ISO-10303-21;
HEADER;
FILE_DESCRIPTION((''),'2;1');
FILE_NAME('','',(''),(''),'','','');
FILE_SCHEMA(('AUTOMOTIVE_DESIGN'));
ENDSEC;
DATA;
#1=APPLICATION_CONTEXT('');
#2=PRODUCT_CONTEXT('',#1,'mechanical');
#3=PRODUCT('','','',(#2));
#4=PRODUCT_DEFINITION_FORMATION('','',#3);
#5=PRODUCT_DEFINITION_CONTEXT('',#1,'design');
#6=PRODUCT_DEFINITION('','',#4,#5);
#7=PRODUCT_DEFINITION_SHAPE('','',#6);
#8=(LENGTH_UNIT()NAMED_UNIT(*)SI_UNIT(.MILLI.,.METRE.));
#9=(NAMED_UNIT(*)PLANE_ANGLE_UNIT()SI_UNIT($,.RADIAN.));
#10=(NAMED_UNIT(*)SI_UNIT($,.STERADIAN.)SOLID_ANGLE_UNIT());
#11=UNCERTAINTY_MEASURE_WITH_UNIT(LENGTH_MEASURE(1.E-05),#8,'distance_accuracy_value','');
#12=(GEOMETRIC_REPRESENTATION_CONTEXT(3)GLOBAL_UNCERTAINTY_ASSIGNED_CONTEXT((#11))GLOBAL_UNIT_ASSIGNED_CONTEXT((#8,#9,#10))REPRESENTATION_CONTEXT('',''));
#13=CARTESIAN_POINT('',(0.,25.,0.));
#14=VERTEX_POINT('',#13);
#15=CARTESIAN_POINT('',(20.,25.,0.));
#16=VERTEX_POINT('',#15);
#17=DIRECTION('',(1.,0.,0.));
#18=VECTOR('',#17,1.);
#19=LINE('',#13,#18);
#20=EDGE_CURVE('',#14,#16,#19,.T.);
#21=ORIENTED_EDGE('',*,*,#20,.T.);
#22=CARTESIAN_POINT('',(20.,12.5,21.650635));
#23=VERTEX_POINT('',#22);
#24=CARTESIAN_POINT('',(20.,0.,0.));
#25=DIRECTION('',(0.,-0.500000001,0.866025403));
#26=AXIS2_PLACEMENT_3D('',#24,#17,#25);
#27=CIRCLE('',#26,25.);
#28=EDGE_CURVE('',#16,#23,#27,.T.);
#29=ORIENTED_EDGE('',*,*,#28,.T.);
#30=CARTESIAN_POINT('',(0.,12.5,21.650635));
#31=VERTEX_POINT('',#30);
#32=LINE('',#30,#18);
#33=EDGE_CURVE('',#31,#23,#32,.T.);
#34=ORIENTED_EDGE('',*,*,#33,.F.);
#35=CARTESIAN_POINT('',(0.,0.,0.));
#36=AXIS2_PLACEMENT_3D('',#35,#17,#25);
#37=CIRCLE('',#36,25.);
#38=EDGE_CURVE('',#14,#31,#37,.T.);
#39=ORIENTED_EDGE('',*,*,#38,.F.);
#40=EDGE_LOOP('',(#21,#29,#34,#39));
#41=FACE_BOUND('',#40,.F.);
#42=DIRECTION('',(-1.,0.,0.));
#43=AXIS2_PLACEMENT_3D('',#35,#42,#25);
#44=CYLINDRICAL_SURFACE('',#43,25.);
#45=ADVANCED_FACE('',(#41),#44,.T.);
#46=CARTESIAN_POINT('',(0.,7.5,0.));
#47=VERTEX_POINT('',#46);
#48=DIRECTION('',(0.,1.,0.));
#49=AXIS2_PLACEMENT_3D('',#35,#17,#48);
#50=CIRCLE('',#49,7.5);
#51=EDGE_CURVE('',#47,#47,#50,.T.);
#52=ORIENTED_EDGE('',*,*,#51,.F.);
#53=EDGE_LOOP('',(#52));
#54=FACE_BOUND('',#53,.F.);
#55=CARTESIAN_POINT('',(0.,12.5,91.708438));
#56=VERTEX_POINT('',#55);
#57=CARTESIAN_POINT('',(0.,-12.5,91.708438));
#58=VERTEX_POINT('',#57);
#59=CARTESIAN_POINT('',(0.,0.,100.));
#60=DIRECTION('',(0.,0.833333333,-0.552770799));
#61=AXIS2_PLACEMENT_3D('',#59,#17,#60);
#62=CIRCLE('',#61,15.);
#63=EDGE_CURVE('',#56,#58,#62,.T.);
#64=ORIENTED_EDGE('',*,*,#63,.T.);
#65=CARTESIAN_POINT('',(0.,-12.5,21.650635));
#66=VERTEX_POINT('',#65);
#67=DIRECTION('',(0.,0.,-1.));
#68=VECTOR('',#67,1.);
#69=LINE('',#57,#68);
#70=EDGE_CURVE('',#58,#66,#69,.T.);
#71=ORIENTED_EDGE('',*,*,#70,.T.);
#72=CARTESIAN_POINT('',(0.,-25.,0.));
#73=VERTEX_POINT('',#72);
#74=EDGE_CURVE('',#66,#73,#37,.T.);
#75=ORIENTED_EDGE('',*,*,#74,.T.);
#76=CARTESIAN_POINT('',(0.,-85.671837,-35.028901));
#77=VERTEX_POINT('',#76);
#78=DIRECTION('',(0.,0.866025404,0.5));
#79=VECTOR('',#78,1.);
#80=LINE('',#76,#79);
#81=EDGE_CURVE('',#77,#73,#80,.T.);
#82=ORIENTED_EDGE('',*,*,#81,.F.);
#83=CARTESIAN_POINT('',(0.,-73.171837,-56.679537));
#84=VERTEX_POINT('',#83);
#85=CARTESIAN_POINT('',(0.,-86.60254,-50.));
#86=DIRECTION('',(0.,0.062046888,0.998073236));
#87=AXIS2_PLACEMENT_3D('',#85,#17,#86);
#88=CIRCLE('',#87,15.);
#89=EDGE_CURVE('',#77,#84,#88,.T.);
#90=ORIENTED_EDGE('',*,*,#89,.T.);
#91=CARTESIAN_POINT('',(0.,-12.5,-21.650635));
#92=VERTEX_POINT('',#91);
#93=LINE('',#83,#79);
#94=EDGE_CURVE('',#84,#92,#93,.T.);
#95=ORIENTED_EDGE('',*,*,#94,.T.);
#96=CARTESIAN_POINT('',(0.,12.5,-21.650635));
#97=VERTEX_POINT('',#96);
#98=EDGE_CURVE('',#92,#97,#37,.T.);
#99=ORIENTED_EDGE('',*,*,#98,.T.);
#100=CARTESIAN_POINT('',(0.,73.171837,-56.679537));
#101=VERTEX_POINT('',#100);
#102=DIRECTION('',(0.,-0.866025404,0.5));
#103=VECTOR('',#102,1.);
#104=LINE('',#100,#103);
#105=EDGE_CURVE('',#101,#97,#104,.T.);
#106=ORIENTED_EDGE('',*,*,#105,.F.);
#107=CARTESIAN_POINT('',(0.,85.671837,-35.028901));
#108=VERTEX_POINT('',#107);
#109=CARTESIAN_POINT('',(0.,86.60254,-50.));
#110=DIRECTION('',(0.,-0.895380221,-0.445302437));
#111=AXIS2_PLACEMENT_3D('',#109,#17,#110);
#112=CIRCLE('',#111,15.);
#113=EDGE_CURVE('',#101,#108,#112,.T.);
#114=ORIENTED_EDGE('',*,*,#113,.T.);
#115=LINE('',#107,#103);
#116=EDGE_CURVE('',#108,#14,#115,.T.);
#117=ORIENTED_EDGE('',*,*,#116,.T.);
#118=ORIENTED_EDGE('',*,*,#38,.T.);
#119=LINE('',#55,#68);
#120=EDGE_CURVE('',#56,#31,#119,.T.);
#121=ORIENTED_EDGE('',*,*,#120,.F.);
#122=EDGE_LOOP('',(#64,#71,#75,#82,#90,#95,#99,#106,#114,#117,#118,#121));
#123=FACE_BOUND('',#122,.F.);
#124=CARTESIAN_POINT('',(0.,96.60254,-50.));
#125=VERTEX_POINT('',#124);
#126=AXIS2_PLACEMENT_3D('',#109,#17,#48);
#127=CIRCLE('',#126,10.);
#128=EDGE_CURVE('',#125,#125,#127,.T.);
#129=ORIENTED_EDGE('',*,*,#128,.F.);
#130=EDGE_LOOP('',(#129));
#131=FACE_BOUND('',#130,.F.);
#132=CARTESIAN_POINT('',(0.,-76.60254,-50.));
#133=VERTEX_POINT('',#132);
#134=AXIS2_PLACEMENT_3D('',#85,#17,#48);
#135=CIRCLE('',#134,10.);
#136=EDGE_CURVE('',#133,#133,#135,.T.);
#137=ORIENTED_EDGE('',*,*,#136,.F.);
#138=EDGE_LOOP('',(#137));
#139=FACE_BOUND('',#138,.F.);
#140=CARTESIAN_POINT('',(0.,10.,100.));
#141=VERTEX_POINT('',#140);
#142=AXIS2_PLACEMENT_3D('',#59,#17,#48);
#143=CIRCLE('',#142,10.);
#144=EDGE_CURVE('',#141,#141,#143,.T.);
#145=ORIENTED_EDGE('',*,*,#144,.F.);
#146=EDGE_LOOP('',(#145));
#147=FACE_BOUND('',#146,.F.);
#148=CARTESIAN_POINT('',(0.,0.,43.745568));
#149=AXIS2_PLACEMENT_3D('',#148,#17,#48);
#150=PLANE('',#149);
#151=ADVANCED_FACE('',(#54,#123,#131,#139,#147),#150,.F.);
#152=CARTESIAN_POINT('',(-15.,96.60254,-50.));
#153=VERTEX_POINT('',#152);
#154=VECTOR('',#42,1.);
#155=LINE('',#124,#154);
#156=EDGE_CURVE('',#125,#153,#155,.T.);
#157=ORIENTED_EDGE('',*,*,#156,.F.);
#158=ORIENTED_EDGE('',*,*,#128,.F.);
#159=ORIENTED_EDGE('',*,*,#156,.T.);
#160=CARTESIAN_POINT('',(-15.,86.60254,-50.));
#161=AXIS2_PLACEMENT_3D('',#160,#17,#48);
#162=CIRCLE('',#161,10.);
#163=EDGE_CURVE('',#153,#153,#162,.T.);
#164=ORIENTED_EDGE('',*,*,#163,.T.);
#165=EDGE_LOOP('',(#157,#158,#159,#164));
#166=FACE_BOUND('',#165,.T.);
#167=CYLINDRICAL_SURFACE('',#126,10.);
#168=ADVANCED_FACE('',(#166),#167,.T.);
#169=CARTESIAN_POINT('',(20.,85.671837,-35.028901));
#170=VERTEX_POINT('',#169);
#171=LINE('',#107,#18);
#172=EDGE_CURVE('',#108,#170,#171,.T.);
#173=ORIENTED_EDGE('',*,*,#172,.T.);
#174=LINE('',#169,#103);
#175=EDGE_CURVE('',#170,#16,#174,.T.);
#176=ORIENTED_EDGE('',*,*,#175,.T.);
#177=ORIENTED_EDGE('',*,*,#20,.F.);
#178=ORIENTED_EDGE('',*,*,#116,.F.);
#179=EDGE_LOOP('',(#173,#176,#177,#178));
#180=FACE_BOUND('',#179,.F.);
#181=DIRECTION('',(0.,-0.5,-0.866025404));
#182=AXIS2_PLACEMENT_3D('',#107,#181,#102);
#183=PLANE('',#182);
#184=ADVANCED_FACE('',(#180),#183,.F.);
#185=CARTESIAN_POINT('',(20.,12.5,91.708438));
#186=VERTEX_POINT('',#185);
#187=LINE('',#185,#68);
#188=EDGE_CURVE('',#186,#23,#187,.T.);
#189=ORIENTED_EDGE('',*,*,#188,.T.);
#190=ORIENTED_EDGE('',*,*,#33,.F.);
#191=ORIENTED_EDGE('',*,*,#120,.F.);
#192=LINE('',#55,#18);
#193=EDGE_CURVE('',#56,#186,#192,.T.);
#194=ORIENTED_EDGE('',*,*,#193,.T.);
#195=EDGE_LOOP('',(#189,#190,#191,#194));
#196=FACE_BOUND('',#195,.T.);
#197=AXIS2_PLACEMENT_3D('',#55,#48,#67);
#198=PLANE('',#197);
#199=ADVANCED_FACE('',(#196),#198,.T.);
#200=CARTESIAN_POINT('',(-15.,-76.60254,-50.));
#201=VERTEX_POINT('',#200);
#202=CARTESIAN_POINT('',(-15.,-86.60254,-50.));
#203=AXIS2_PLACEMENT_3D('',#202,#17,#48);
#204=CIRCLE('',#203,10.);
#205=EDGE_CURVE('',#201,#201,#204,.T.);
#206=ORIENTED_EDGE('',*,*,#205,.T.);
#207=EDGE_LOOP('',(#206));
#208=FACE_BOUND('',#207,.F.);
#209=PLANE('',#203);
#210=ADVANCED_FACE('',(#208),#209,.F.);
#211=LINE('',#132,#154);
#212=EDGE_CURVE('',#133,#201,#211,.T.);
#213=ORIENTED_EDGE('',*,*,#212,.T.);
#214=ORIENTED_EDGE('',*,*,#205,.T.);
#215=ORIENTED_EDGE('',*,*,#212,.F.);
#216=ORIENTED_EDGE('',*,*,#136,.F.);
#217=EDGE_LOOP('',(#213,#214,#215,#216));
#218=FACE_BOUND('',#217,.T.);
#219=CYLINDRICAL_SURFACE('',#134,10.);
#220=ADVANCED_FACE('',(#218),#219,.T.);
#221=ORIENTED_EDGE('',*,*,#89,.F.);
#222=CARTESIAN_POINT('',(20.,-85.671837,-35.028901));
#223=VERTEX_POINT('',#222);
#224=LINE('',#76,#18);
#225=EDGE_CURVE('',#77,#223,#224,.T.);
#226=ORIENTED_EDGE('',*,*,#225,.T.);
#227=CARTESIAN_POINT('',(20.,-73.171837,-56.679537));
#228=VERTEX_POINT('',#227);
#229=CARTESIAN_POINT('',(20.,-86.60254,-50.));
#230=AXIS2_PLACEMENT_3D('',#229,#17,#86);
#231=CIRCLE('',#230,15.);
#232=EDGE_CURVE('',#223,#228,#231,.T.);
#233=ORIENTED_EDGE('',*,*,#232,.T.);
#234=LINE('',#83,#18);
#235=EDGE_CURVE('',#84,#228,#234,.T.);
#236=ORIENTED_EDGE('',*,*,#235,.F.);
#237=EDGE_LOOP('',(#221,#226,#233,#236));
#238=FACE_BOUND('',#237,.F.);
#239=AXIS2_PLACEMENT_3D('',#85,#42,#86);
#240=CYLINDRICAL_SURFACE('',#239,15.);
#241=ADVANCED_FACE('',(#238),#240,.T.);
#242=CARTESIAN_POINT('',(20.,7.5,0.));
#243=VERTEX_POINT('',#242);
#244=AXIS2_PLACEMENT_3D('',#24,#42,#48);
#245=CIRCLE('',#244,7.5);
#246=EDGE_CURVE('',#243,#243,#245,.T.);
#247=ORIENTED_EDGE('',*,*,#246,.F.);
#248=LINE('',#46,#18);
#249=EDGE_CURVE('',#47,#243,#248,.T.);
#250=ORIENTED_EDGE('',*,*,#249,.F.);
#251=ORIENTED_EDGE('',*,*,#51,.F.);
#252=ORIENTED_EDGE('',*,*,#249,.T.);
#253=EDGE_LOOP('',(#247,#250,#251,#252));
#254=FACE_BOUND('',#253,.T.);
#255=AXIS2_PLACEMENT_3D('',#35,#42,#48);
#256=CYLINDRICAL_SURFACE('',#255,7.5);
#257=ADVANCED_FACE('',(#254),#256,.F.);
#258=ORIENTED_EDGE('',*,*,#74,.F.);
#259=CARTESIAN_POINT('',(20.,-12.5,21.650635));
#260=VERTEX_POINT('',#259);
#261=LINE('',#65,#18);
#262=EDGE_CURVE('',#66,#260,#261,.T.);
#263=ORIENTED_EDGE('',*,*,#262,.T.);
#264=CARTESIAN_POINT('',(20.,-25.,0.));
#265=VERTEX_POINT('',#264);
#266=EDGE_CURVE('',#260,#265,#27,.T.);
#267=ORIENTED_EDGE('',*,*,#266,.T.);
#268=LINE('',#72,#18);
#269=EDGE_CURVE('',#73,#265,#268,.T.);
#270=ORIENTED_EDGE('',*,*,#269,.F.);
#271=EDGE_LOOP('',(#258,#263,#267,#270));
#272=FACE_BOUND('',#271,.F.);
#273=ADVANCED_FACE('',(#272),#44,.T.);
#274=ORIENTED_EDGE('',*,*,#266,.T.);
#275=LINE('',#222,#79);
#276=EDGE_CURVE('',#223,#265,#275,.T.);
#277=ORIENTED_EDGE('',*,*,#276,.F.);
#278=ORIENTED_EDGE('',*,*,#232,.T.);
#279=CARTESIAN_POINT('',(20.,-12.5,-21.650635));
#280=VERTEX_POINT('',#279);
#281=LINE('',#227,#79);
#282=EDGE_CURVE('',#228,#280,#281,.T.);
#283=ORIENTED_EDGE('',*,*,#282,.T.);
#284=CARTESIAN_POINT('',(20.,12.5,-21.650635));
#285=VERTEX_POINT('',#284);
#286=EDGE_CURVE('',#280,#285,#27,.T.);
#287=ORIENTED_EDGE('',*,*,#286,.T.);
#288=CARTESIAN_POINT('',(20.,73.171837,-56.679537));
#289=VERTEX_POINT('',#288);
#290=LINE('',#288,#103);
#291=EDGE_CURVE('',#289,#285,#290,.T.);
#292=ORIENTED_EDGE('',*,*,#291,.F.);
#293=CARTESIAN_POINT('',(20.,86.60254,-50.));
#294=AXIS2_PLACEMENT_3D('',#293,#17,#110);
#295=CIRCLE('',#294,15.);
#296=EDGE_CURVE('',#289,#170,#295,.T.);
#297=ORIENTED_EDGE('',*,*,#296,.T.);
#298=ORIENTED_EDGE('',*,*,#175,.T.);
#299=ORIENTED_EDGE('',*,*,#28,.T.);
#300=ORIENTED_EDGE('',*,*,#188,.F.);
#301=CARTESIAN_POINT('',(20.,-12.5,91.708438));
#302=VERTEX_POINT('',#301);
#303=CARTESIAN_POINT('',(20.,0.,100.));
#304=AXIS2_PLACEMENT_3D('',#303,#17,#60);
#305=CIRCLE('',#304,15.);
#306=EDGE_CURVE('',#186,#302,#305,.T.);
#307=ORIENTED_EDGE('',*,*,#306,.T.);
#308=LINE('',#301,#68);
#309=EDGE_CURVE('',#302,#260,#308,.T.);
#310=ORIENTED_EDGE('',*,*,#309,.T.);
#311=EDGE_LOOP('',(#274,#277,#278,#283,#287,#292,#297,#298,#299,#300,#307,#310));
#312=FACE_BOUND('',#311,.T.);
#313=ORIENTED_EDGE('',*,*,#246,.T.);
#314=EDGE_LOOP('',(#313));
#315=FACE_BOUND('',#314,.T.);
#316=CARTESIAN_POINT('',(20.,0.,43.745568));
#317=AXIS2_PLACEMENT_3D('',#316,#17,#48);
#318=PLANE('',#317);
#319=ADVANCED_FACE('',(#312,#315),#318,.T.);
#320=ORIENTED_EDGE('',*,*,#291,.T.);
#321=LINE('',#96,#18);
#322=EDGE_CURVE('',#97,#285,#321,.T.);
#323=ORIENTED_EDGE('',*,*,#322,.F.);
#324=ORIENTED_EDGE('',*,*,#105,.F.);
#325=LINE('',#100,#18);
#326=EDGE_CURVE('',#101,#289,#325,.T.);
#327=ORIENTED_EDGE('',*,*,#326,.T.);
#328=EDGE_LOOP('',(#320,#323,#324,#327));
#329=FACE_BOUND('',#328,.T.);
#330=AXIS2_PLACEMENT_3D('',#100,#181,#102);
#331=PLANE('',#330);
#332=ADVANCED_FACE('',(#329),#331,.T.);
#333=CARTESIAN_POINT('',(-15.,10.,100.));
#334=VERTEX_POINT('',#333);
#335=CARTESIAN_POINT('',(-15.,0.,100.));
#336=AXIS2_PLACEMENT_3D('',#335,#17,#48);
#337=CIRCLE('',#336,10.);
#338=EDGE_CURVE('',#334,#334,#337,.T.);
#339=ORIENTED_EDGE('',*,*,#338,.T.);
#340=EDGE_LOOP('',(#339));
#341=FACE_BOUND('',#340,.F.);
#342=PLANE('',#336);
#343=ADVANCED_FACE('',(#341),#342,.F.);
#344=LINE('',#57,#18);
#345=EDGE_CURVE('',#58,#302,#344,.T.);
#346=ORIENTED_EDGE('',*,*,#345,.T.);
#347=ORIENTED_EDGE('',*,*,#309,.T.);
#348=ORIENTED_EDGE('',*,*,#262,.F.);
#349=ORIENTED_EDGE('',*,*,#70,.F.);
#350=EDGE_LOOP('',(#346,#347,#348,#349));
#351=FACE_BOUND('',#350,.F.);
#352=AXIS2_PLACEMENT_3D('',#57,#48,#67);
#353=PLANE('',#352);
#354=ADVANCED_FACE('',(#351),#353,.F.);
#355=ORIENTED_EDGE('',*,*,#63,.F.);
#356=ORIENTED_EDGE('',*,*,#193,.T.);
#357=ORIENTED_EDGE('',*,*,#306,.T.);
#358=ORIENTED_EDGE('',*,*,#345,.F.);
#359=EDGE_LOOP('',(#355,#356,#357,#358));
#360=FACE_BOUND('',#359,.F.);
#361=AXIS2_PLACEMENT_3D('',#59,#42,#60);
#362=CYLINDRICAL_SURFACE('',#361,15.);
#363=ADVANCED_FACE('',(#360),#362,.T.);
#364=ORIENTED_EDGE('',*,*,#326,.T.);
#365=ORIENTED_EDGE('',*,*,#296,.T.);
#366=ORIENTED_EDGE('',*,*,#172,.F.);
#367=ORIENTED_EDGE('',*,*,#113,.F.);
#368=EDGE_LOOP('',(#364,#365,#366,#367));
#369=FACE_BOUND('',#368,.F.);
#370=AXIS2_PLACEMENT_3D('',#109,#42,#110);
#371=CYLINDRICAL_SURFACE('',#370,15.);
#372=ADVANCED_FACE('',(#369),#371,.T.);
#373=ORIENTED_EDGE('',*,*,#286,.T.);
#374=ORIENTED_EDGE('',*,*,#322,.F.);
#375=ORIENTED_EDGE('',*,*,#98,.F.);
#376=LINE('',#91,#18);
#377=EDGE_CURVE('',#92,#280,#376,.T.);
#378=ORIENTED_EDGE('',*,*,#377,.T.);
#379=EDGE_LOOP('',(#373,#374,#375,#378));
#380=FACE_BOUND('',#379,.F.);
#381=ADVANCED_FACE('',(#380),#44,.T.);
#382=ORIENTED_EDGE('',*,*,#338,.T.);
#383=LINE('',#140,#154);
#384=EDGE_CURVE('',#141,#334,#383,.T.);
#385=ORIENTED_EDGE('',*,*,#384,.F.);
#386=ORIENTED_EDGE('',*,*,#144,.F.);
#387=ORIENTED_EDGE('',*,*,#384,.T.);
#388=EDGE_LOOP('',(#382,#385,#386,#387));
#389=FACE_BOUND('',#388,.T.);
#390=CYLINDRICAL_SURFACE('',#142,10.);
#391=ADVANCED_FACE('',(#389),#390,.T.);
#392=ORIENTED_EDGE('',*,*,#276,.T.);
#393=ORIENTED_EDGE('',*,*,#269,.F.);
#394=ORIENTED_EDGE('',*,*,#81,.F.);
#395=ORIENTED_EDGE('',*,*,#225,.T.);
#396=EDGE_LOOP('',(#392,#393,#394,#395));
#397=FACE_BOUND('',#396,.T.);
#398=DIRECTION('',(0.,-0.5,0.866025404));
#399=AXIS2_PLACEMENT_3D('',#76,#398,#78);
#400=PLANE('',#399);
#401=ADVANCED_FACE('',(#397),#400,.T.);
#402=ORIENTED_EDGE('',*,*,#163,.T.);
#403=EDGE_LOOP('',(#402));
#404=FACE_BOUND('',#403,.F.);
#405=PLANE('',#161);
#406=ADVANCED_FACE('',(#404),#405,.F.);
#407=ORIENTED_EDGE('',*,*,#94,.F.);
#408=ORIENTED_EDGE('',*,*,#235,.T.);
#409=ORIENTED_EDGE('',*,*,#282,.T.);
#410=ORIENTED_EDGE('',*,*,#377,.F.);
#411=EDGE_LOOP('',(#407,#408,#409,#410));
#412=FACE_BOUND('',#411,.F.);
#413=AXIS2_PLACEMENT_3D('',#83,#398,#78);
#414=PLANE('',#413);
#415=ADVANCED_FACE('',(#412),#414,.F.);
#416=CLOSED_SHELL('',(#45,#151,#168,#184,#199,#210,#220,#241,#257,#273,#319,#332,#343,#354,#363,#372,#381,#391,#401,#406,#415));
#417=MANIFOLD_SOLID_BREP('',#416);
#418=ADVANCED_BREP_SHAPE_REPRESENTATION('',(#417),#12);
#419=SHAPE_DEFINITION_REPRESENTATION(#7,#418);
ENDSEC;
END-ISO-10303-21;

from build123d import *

# Parameters (mm, degrees)
SKETCH_0_R         = 7.5
PAD_DEPTH          = 20
POLARPATTERN_COUNT = 3
SKETCH_R           = 10
PAD001_DEPTH       = 15


with BuildPart() as part:
    # Sketch_0 (on LCS_) → Pad (new body)
    with BuildSketch(Plane.YZ):
        with BuildLine():
            ThreePointArc((-12.5, 21.650635), (0, -25), (12.5, 21.650635))
            Line((12.5, 91.708438), (12.5, 21.650635))
            ThreePointArc((12.5, 91.708438), (0, 115), (-12.5, 91.708438))
            Line((-12.5, 91.708438), (-12.5, 21.650635))
        make_face()
        Circle(SKETCH_0_R, mode=Mode.SUBTRACT)
    pad = extrude(amount=PAD_DEPTH)

    # PolarPattern: Pad ×3 about axis
    polarpattern_axis = Axis((0, 0, 0), (1, 0, 0))
    for i in range(1, POLARPATTERN_COUNT):
        add(pad.rotate(polarpattern_axis, i * 360 / POLARPATTERN_COUNT))

    # Sketch (on LCS_) → Pad001 (join)
    with BuildSketch(Plane.YZ):
        with Locations((0, 100)):
            Circle(SKETCH_R)
        with Locations((86.60254, -50)):
            Circle(SKETCH_R)
        with Locations((-86.60254, -50)):
            Circle(SKETCH_R)
    extrude(amount=-PAD001_DEPTH)


solid = part.part
